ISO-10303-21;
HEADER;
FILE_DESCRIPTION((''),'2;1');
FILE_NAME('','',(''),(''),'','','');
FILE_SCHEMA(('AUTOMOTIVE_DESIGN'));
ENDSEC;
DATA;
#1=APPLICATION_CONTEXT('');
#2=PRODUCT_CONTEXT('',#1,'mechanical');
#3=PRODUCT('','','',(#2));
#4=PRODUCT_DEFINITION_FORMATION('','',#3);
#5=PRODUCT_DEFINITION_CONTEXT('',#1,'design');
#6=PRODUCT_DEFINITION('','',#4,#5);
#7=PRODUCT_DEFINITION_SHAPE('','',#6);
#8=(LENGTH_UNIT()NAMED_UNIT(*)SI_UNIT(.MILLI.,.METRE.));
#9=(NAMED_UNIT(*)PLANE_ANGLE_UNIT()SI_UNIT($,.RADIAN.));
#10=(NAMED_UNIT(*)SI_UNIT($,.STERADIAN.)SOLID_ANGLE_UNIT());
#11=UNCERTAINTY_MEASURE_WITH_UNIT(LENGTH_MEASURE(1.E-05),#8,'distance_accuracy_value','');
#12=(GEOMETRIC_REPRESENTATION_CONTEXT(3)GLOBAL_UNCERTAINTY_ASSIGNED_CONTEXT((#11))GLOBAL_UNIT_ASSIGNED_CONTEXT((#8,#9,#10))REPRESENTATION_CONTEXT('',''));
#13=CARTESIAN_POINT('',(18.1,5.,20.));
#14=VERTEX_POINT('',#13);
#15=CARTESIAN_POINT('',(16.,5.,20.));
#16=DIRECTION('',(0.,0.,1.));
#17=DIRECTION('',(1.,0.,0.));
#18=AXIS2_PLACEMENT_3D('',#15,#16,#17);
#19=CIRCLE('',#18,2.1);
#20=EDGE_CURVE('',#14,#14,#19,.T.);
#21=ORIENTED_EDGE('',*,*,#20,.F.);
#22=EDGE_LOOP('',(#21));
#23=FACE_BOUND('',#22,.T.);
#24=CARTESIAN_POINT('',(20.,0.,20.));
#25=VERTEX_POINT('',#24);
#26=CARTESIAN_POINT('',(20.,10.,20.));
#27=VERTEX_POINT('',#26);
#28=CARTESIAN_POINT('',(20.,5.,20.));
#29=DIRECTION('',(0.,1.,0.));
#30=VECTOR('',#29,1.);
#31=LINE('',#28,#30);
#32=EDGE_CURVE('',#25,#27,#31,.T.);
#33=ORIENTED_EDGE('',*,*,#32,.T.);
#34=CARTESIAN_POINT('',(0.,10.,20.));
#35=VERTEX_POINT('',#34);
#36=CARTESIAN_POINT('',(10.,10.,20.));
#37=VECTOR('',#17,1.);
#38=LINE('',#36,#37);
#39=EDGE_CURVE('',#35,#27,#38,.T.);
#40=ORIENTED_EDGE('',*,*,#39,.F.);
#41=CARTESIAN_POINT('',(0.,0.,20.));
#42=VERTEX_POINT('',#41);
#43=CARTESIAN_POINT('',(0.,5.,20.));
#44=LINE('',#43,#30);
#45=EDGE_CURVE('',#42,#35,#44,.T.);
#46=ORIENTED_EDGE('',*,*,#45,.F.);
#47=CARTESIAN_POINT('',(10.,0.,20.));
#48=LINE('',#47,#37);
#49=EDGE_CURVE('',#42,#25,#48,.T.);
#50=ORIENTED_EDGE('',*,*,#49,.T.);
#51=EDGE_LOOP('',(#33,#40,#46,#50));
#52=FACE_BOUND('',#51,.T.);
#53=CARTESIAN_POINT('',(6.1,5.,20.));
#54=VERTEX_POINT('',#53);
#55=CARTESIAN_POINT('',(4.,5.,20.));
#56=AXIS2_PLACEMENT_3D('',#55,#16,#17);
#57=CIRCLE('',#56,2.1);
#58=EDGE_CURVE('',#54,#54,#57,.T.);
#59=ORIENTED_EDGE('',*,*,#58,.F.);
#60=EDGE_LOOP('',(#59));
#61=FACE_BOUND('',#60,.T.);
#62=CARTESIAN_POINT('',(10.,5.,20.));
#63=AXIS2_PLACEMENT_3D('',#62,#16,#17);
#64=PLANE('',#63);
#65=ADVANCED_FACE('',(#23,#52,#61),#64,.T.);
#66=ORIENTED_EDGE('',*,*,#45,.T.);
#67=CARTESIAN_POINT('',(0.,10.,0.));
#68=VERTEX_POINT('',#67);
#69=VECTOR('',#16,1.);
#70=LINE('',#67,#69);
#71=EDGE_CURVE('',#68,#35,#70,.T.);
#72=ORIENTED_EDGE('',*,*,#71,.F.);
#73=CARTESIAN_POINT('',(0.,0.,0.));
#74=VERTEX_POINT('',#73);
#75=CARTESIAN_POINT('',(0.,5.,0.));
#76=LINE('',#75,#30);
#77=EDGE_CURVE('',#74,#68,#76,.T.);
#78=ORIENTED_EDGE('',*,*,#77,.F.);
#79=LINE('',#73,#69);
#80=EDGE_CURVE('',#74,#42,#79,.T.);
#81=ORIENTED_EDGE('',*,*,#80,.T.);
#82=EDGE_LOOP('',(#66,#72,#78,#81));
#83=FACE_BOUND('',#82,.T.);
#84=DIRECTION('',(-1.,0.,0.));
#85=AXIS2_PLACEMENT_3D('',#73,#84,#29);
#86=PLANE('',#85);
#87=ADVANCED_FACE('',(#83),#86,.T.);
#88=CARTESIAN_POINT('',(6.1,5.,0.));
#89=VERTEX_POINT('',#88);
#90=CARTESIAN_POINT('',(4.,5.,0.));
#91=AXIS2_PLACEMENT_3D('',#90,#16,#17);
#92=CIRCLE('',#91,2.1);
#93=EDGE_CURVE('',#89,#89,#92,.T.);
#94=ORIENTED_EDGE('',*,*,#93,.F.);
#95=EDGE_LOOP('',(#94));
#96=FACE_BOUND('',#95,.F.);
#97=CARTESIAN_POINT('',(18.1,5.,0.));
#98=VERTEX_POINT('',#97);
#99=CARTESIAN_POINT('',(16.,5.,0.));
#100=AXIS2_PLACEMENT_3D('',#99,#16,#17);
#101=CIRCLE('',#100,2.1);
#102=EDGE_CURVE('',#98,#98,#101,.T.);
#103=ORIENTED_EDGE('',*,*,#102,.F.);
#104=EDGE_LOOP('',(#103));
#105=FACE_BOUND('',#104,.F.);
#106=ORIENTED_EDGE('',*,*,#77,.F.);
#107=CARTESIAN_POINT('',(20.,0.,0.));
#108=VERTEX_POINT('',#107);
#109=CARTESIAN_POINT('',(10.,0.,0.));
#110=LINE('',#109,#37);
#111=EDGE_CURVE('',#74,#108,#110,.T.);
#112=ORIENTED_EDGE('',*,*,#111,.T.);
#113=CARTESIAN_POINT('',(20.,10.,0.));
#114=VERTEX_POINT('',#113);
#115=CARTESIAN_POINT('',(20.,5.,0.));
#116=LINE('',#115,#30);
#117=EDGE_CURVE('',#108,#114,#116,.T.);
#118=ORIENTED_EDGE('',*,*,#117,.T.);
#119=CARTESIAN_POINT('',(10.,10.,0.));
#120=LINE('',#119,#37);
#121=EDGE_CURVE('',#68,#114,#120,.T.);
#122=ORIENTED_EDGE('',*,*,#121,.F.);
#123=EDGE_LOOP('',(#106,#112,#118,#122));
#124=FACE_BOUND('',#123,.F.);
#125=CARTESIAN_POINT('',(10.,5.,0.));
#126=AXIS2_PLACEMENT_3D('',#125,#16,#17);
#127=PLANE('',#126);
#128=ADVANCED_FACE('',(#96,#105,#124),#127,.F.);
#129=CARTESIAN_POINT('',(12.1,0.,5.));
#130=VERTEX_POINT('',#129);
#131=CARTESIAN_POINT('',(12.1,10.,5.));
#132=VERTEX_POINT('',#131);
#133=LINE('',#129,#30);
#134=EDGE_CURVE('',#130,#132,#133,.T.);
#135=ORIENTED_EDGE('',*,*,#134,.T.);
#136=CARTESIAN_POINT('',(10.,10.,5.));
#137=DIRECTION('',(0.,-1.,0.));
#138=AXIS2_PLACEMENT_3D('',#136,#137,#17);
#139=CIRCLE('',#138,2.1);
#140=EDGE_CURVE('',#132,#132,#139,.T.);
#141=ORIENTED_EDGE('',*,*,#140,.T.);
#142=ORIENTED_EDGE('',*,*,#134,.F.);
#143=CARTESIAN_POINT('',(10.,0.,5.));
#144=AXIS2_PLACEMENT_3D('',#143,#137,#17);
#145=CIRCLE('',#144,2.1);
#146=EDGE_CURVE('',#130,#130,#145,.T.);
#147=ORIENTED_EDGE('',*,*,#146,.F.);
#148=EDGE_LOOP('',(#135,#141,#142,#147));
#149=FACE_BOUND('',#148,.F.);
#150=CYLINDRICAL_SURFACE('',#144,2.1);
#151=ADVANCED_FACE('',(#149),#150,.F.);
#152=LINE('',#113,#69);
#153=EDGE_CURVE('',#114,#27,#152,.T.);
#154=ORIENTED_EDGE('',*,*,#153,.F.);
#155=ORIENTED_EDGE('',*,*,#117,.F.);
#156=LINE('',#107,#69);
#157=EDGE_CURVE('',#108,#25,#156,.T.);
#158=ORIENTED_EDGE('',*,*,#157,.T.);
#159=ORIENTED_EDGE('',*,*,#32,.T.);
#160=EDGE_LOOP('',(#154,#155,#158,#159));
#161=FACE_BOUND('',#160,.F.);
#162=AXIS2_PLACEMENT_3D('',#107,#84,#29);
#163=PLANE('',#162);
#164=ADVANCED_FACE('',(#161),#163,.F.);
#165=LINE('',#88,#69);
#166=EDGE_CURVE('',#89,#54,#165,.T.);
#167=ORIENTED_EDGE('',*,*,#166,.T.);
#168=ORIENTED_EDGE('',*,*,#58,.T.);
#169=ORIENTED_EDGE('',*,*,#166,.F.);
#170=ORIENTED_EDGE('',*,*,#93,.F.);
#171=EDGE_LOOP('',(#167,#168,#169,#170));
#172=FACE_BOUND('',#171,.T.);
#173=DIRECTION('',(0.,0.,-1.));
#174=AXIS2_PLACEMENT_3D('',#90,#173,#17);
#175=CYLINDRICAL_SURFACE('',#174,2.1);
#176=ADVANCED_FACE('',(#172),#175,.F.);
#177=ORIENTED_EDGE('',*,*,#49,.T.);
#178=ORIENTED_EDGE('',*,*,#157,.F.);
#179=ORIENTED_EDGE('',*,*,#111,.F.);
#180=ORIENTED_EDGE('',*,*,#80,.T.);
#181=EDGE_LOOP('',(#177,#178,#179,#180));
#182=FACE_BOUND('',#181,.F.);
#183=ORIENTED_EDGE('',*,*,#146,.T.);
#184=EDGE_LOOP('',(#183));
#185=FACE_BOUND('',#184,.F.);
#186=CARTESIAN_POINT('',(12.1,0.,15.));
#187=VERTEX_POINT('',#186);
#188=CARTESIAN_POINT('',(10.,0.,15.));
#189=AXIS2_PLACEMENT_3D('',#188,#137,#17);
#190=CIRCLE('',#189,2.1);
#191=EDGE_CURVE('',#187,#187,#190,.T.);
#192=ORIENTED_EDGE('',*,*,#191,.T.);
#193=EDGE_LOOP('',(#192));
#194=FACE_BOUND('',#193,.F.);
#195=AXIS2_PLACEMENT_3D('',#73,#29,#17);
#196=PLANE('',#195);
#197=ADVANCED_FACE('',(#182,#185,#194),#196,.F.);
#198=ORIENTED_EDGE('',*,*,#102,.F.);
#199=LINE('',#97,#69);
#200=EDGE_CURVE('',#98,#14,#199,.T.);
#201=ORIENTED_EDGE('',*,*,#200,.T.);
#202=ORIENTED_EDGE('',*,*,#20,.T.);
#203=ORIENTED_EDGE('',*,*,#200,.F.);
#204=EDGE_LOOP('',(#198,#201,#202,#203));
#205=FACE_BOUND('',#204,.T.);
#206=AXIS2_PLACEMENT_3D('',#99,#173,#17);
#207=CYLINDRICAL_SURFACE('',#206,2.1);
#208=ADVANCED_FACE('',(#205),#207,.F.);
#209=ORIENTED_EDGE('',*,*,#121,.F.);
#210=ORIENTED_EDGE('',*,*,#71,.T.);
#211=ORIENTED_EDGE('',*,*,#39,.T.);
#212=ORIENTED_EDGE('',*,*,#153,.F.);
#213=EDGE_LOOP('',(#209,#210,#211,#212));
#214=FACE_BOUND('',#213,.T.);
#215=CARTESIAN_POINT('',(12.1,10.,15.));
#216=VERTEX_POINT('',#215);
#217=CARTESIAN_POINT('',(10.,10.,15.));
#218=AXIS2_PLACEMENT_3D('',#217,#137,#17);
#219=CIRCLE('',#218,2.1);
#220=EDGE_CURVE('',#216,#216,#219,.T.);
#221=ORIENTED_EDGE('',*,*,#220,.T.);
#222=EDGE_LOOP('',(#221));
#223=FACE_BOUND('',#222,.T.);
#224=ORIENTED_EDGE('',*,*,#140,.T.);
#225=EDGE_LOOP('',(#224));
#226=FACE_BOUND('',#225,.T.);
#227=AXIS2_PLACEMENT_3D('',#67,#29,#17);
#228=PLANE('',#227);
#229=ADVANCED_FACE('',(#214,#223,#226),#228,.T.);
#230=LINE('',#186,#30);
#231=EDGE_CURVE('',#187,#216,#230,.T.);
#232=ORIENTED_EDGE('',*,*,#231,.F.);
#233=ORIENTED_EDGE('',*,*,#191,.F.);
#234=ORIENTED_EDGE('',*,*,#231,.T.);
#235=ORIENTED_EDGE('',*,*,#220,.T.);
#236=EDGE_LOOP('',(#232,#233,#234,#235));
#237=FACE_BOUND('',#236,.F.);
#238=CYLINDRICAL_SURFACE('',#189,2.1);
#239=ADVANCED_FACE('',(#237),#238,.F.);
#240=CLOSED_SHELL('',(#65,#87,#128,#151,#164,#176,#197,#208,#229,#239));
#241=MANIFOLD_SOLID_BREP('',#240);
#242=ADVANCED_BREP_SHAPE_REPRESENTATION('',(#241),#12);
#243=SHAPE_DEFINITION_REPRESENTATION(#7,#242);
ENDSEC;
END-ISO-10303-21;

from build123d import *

# Parameters (mm, degrees)
SKETCH1_W           = 20
SKETCH1_H           = 10
SKETCH1_R           = 2.1
BOSS_EXTRUDE1_DEPTH = 20
SKETCH2_R           = 2.1
CUT_EXTRUDE1_DEPTH  = 30


with BuildPart() as part:
    # Sketch1 → Boss-Extrude1 (new body)
    with BuildSketch(Plane.XY):
        with Locations((10, 5)):
            Rectangle(SKETCH1_W, SKETCH1_H)
        with Locations((4, 5)):
            Circle(SKETCH1_R, mode=Mode.SUBTRACT)
        with Locations((16, 5)):
            Circle(SKETCH1_R, mode=Mode.SUBTRACT)
    extrude(amount=BOSS_EXTRUDE1_DEPTH)

    # Sketch2 → Cut-Extrude1 (cut)
    with BuildSketch(Plane.XZ):
        with Locations((10, 15)):
            Circle(SKETCH2_R)
        with Locations((10, 5)):
            Circle(SKETCH2_R)
    extrude(amount=-CUT_EXTRUDE1_DEPTH, mode=Mode.SUBTRACT)


solid = part.part
